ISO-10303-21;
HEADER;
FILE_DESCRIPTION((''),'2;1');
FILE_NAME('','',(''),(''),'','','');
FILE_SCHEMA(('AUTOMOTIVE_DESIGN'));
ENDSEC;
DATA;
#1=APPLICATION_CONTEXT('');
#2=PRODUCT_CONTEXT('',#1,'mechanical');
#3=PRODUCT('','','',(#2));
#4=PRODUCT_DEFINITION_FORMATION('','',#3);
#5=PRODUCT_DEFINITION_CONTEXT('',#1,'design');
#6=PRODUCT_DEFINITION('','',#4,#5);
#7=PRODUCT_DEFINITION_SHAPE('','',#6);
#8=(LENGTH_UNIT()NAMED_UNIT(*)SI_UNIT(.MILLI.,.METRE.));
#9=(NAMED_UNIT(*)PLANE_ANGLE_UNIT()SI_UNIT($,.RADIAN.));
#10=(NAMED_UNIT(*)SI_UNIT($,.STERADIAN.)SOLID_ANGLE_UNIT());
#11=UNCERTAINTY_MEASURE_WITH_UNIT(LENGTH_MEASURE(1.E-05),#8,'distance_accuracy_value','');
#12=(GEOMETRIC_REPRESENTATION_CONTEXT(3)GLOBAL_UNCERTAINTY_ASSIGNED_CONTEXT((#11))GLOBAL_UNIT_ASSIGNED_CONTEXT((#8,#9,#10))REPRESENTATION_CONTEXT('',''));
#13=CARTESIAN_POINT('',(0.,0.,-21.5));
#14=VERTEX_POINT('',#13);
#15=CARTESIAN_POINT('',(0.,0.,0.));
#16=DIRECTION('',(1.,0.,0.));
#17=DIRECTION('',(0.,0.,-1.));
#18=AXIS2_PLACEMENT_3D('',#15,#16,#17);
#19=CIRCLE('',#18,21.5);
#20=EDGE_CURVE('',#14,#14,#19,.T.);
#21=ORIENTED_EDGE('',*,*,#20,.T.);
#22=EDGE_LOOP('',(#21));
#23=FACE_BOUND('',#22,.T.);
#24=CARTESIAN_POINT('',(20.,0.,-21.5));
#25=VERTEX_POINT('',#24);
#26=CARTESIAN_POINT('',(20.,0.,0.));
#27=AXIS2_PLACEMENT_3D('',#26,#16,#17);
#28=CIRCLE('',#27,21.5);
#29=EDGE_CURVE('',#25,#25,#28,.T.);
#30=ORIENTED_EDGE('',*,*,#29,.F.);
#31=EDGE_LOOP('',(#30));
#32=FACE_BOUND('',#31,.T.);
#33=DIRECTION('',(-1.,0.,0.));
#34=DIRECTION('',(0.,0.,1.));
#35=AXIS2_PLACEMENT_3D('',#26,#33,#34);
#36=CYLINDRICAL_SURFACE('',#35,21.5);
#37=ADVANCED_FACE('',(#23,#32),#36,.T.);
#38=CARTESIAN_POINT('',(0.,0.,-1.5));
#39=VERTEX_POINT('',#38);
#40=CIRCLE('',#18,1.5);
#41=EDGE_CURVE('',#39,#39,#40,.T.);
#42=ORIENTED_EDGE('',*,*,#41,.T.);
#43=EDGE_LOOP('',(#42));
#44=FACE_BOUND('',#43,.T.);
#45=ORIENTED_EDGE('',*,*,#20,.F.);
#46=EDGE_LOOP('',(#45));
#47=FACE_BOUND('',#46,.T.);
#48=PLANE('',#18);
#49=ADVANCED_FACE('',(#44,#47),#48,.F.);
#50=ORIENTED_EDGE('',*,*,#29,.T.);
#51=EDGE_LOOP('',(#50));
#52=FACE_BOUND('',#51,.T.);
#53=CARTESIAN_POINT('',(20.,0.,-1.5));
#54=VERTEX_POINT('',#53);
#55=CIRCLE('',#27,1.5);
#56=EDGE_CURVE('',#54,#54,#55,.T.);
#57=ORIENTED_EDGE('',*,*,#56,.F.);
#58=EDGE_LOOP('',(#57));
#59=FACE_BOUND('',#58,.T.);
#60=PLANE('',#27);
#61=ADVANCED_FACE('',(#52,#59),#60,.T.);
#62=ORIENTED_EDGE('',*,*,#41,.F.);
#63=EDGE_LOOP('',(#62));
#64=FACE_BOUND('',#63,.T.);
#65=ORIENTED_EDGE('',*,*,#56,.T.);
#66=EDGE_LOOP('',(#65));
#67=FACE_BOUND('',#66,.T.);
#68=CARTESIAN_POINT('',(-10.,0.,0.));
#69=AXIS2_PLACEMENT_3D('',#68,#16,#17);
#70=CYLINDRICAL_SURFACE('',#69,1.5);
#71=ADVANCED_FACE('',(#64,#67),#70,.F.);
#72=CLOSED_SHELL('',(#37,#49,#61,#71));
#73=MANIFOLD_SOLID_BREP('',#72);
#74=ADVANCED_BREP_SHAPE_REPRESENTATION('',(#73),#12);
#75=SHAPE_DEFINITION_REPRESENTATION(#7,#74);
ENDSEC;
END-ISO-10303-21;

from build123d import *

# Parameters (mm, degrees)
CROQUIS1_R              = 21.5
SALIENTE_EXTRUIR1_DEPTH = 20
CROQUIS2_R              = 1.5
CORTAR_EXTRUIR1_DEPTH   = 30


with BuildPart() as part:
    # Croquis1 → Saliente-Extruir1 (new body)
    with BuildSketch(Plane(origin=(0, 0, 0), x_dir=(0, 0, -1), z_dir=(1, 0, 0))):
        Circle(CROQUIS1_R)
    extrude(amount=SALIENTE_EXTRUIR1_DEPTH)

    # Croquis2 → Cortar-Extruir1 (cut)
    with BuildSketch(Plane(origin=(20, 0, 0), x_dir=(0, 0, -1), z_dir=(1, 0, 0))):
        Circle(CROQUIS2_R)
    extrude(amount=-CORTAR_EXTRUIR1_DEPTH, mode=Mode.SUBTRACT)


solid = part.part
